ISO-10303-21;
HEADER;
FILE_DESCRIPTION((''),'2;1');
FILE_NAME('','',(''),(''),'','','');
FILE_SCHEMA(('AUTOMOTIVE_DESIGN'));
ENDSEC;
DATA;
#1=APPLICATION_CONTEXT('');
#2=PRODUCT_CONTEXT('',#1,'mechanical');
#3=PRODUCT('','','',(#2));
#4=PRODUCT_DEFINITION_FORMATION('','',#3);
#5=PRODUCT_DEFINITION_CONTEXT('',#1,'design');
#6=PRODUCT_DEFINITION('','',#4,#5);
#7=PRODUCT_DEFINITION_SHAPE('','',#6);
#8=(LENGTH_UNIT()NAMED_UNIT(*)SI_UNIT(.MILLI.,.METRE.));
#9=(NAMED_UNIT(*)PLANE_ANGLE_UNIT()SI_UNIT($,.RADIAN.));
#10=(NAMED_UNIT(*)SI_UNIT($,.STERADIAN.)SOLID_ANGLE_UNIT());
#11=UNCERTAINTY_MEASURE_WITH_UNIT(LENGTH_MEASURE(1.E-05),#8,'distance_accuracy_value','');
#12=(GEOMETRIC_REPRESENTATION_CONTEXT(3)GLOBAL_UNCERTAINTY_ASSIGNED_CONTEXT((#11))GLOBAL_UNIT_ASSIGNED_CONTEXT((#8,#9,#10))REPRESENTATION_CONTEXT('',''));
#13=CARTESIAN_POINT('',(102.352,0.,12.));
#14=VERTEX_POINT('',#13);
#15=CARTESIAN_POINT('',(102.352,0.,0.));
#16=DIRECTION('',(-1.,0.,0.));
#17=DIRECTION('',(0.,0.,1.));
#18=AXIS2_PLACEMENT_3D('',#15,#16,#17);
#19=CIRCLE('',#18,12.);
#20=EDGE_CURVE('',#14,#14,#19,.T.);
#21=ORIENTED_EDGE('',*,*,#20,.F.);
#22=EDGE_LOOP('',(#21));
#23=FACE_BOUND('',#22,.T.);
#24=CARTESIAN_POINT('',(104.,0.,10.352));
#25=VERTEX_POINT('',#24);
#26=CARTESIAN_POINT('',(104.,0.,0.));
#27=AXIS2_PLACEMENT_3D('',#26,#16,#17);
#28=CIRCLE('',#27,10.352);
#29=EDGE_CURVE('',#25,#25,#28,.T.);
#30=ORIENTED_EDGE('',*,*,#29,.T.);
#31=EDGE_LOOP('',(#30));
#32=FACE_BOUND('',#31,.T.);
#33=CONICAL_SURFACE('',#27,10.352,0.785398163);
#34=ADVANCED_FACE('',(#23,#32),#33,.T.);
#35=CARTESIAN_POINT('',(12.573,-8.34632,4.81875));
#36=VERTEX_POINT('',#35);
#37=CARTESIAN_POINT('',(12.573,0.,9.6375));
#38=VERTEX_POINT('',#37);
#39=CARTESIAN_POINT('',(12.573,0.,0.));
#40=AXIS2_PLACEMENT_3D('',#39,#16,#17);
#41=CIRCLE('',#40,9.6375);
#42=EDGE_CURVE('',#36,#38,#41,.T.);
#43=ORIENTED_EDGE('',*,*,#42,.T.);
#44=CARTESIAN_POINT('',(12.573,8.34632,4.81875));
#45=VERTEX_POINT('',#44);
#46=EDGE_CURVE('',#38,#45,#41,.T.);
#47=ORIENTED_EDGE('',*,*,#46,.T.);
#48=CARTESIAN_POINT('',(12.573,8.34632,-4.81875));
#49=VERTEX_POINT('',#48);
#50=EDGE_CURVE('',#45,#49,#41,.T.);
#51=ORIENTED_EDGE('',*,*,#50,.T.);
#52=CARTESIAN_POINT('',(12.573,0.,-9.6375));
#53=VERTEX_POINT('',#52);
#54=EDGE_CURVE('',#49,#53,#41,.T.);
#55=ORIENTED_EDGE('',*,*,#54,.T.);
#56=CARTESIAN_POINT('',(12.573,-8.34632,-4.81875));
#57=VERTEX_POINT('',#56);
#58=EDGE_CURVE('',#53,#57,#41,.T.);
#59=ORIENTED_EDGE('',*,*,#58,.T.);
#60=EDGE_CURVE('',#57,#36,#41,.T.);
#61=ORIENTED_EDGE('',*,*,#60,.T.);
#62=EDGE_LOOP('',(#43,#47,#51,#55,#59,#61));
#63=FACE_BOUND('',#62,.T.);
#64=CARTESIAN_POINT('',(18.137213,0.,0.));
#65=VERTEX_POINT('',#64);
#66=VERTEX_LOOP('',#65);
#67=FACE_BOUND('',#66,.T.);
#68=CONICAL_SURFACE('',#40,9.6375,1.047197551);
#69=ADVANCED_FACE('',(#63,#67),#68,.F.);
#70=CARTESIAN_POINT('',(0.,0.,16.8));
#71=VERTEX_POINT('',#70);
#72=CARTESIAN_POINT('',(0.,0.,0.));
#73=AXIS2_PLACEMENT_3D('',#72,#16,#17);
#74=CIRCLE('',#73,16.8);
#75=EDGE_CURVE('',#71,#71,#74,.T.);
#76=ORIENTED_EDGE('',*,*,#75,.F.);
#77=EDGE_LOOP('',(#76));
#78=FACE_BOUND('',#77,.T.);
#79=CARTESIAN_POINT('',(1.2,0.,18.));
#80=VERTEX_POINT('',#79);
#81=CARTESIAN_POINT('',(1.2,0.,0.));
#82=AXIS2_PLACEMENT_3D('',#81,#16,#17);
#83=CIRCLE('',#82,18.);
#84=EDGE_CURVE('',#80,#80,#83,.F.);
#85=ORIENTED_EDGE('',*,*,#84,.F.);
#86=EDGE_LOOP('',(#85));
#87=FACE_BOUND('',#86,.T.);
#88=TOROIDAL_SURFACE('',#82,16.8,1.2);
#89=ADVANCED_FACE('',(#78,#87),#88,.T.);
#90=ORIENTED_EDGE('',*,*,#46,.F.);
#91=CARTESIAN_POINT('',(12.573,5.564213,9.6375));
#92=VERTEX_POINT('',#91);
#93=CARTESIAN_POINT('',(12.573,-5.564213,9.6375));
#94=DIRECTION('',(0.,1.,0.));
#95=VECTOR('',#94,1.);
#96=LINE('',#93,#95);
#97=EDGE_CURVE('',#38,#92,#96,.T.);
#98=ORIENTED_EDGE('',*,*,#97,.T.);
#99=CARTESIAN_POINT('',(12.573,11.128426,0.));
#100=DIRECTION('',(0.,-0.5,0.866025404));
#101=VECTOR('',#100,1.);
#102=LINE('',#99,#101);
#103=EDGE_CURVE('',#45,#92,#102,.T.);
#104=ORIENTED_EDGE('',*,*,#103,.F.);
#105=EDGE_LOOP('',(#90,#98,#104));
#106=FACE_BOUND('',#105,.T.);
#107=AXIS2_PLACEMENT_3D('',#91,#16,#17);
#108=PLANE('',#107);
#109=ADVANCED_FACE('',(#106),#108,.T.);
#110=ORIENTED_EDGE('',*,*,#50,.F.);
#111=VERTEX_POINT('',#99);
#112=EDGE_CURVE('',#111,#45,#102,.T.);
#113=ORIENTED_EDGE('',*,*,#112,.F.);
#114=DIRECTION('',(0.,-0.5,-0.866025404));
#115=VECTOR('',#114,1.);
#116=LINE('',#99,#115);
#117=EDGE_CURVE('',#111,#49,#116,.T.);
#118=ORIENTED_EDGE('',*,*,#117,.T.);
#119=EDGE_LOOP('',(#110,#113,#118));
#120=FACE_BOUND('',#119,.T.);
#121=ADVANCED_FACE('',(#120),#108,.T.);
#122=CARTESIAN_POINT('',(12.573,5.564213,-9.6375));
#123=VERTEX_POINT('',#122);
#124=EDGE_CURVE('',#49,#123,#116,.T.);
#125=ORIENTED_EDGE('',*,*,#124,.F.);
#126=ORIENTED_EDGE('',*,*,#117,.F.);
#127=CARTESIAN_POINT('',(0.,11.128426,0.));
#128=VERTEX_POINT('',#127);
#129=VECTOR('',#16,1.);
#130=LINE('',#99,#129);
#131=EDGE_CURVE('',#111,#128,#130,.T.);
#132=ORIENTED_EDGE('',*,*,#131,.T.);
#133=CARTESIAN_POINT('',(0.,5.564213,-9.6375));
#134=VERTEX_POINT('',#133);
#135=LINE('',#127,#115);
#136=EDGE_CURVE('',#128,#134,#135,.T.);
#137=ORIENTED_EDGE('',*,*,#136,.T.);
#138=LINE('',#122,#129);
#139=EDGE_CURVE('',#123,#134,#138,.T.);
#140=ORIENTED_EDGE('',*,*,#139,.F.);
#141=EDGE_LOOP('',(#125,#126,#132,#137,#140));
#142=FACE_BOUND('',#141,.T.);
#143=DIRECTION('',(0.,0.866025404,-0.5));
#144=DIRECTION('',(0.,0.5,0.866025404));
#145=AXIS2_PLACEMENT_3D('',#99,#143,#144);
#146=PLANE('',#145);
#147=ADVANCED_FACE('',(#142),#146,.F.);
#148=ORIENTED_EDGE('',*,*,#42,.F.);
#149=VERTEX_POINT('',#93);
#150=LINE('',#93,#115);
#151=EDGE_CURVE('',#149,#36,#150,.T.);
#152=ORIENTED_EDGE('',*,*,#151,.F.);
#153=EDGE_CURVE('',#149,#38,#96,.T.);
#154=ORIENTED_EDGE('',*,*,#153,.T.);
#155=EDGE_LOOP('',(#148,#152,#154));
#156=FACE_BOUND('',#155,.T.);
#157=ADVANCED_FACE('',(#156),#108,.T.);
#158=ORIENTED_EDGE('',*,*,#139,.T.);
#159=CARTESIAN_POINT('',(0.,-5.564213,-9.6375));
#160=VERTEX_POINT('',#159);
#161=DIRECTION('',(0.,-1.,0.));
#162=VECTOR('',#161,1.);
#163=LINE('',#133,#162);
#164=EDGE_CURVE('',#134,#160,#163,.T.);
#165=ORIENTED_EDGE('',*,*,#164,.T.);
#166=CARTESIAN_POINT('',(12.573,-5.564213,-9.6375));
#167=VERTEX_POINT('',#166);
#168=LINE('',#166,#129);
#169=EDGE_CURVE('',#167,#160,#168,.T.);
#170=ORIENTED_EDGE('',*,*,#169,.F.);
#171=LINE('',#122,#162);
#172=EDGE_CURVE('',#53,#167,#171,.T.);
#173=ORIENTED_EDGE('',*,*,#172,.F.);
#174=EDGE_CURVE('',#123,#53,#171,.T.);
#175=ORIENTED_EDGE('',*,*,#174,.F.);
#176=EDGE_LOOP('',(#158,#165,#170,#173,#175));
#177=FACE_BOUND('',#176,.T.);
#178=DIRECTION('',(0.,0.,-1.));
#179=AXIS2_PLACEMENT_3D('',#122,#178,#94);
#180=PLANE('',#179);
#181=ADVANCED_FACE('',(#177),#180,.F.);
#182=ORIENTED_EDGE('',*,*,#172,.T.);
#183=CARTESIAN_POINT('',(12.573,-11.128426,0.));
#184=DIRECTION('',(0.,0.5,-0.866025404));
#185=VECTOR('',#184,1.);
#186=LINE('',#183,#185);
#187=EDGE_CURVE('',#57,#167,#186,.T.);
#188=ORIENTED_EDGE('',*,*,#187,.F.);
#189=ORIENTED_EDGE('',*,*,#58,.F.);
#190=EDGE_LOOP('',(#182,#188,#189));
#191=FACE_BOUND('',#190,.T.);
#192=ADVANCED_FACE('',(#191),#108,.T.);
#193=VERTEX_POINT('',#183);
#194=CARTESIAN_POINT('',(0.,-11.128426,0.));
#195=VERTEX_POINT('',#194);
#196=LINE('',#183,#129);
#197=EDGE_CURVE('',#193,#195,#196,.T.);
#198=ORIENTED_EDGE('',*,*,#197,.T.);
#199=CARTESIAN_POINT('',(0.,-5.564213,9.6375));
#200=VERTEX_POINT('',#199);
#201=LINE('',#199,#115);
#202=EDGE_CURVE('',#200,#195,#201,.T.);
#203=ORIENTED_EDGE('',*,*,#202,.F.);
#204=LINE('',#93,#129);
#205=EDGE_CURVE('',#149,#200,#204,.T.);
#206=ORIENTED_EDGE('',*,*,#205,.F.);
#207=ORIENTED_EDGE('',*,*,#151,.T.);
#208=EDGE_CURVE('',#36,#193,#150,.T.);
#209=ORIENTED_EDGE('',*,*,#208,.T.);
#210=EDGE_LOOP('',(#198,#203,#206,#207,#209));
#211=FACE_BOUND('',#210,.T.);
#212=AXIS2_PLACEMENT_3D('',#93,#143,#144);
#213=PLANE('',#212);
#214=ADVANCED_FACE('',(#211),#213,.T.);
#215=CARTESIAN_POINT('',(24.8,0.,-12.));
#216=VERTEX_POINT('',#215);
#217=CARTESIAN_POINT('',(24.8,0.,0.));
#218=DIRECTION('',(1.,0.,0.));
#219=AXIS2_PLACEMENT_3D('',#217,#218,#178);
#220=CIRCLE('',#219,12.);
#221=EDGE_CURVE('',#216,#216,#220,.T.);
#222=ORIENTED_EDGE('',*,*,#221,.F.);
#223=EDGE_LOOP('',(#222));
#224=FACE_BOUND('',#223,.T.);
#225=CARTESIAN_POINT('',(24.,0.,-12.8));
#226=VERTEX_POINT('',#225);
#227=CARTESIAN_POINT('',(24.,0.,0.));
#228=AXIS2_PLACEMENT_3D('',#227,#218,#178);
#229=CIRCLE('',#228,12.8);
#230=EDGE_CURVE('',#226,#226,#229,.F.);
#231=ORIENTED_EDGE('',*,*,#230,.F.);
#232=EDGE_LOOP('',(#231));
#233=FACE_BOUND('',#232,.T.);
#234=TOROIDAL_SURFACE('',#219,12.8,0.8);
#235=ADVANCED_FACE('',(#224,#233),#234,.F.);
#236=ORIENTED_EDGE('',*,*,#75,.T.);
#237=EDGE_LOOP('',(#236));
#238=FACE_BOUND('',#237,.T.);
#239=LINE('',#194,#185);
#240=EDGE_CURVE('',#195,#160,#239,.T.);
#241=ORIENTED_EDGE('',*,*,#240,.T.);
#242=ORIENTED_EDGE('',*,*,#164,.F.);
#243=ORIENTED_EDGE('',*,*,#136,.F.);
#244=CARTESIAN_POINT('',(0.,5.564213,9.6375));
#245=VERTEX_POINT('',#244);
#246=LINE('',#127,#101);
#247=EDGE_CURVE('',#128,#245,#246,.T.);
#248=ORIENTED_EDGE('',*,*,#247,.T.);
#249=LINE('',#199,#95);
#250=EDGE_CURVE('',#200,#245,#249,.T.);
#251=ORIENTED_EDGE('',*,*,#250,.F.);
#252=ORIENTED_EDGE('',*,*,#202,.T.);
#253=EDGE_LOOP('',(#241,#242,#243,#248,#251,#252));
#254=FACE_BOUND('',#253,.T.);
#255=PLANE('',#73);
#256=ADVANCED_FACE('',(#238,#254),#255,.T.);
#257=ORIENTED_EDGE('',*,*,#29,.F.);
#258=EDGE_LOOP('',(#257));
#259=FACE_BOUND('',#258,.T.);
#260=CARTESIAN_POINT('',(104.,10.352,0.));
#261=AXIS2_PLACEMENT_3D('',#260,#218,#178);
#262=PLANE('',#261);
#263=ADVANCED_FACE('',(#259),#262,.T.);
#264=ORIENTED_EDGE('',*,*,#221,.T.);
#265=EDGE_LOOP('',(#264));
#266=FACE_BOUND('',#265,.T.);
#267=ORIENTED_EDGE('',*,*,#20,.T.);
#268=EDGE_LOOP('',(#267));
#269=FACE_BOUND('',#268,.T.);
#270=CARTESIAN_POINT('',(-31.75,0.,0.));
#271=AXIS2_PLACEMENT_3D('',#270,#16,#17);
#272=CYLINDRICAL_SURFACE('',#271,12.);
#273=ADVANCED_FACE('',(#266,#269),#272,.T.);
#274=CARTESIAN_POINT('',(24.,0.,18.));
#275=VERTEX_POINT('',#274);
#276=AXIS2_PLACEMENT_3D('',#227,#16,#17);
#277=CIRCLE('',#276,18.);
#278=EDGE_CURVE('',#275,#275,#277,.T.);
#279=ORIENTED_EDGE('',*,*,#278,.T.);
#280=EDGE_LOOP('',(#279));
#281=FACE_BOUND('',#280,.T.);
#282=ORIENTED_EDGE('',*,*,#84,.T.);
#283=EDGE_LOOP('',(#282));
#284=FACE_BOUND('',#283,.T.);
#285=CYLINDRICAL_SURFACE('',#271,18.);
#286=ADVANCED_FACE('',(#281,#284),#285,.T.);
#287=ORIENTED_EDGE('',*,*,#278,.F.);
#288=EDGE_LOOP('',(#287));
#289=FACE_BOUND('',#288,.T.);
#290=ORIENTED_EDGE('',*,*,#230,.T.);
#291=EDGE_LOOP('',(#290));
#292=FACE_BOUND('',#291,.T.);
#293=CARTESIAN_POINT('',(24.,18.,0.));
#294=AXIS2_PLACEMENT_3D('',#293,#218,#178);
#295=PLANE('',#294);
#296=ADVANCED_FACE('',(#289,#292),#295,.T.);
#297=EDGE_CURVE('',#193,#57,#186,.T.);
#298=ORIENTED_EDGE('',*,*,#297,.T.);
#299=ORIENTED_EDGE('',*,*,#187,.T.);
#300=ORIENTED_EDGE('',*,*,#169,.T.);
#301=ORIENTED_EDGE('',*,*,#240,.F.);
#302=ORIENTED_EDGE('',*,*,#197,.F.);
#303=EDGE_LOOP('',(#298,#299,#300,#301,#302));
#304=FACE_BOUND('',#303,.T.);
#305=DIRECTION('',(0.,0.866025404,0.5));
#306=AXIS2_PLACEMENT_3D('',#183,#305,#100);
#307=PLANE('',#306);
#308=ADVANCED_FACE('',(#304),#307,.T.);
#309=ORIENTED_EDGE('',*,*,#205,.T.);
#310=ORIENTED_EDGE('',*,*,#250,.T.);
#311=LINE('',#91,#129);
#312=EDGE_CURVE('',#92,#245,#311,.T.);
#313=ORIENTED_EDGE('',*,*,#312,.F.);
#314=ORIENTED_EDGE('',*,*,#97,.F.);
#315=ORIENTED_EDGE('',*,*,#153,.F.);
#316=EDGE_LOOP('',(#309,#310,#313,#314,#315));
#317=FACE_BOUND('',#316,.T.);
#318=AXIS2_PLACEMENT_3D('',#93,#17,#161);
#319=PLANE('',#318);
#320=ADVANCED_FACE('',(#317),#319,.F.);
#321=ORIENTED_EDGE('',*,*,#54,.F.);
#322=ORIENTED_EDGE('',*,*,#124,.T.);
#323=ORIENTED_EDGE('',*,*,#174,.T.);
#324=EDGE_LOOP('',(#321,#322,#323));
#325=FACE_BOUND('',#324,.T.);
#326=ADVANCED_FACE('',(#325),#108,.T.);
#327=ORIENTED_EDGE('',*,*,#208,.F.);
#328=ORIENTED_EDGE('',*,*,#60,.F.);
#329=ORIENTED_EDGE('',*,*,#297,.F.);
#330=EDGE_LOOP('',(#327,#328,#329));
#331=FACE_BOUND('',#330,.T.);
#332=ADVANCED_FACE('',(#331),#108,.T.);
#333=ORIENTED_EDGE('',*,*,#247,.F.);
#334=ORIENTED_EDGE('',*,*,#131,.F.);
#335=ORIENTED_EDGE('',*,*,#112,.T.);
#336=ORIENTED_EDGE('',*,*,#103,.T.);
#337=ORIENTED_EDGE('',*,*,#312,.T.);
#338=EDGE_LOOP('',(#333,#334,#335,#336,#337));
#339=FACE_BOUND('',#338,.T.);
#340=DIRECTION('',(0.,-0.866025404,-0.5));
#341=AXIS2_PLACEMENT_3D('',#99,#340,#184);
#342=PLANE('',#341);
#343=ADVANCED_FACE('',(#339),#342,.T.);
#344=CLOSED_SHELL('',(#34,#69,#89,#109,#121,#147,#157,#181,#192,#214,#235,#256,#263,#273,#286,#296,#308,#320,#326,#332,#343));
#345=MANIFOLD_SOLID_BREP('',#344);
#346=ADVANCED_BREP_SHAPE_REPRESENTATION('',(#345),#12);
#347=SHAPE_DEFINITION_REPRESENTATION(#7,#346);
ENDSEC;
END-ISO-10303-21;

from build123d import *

# Parameters (mm, degrees)
FILLET1_R   = 0.8
FILLET2_R   = 1.2
HEX_2_DEPTH = 12.573


with BuildPart() as part:
    # BodySke → Base-Revolve (revolve)
    with BuildSketch(Plane.XY):
        Polygon((0, 0), (0, 18), (24, 18), (24, 12), (102.352, 12), (104, 10.352), (104, 0), align=None)
    revolve(axis=Axis((-31.75, 0, 0), (1, 0, 0)))

    # Fillet1
    fillet1_edges = [part.edges().sort_by_distance(p)[0] for p in [
        (24, -12, 0),
    ]]
    fillet(fillet1_edges, radius=FILLET1_R)

    # Fillet2
    fillet2_edges = [part.edges().sort_by_distance(p)[0] for p in [
        (0, -18, 0),
    ]]
    fillet(fillet2_edges, radius=FILLET2_R)

    # Sketch2 → Hex-PreBroach (revolve, cut)
    with BuildSketch(Plane.XY):
        Polygon((0, 9.6375), (12.573, 9.6375), (18.137213219, 0), (0, 0), align=None)
    revolve(axis=Axis((0, 0, 0), (1, 0, 0)), mode=Mode.SUBTRACT)

    # Sketch3 → Hex 2 (cut)
    with BuildSketch(Plane(origin=(0, 0, 0), x_dir=(0, 0.5, 0.866025404), z_dir=(-1, 0, 0))):
        Polygon((5.564213219, 9.6375), (-5.564213219, 9.6375), (-11.128426439, 0), (-5.564213219, -9.6375), (5.564213219, -9.6375), (11.128426439, 0), align=None)
    extrude(amount=-HEX_2_DEPTH, mode=Mode.SUBTRACT)


solid = part.part
